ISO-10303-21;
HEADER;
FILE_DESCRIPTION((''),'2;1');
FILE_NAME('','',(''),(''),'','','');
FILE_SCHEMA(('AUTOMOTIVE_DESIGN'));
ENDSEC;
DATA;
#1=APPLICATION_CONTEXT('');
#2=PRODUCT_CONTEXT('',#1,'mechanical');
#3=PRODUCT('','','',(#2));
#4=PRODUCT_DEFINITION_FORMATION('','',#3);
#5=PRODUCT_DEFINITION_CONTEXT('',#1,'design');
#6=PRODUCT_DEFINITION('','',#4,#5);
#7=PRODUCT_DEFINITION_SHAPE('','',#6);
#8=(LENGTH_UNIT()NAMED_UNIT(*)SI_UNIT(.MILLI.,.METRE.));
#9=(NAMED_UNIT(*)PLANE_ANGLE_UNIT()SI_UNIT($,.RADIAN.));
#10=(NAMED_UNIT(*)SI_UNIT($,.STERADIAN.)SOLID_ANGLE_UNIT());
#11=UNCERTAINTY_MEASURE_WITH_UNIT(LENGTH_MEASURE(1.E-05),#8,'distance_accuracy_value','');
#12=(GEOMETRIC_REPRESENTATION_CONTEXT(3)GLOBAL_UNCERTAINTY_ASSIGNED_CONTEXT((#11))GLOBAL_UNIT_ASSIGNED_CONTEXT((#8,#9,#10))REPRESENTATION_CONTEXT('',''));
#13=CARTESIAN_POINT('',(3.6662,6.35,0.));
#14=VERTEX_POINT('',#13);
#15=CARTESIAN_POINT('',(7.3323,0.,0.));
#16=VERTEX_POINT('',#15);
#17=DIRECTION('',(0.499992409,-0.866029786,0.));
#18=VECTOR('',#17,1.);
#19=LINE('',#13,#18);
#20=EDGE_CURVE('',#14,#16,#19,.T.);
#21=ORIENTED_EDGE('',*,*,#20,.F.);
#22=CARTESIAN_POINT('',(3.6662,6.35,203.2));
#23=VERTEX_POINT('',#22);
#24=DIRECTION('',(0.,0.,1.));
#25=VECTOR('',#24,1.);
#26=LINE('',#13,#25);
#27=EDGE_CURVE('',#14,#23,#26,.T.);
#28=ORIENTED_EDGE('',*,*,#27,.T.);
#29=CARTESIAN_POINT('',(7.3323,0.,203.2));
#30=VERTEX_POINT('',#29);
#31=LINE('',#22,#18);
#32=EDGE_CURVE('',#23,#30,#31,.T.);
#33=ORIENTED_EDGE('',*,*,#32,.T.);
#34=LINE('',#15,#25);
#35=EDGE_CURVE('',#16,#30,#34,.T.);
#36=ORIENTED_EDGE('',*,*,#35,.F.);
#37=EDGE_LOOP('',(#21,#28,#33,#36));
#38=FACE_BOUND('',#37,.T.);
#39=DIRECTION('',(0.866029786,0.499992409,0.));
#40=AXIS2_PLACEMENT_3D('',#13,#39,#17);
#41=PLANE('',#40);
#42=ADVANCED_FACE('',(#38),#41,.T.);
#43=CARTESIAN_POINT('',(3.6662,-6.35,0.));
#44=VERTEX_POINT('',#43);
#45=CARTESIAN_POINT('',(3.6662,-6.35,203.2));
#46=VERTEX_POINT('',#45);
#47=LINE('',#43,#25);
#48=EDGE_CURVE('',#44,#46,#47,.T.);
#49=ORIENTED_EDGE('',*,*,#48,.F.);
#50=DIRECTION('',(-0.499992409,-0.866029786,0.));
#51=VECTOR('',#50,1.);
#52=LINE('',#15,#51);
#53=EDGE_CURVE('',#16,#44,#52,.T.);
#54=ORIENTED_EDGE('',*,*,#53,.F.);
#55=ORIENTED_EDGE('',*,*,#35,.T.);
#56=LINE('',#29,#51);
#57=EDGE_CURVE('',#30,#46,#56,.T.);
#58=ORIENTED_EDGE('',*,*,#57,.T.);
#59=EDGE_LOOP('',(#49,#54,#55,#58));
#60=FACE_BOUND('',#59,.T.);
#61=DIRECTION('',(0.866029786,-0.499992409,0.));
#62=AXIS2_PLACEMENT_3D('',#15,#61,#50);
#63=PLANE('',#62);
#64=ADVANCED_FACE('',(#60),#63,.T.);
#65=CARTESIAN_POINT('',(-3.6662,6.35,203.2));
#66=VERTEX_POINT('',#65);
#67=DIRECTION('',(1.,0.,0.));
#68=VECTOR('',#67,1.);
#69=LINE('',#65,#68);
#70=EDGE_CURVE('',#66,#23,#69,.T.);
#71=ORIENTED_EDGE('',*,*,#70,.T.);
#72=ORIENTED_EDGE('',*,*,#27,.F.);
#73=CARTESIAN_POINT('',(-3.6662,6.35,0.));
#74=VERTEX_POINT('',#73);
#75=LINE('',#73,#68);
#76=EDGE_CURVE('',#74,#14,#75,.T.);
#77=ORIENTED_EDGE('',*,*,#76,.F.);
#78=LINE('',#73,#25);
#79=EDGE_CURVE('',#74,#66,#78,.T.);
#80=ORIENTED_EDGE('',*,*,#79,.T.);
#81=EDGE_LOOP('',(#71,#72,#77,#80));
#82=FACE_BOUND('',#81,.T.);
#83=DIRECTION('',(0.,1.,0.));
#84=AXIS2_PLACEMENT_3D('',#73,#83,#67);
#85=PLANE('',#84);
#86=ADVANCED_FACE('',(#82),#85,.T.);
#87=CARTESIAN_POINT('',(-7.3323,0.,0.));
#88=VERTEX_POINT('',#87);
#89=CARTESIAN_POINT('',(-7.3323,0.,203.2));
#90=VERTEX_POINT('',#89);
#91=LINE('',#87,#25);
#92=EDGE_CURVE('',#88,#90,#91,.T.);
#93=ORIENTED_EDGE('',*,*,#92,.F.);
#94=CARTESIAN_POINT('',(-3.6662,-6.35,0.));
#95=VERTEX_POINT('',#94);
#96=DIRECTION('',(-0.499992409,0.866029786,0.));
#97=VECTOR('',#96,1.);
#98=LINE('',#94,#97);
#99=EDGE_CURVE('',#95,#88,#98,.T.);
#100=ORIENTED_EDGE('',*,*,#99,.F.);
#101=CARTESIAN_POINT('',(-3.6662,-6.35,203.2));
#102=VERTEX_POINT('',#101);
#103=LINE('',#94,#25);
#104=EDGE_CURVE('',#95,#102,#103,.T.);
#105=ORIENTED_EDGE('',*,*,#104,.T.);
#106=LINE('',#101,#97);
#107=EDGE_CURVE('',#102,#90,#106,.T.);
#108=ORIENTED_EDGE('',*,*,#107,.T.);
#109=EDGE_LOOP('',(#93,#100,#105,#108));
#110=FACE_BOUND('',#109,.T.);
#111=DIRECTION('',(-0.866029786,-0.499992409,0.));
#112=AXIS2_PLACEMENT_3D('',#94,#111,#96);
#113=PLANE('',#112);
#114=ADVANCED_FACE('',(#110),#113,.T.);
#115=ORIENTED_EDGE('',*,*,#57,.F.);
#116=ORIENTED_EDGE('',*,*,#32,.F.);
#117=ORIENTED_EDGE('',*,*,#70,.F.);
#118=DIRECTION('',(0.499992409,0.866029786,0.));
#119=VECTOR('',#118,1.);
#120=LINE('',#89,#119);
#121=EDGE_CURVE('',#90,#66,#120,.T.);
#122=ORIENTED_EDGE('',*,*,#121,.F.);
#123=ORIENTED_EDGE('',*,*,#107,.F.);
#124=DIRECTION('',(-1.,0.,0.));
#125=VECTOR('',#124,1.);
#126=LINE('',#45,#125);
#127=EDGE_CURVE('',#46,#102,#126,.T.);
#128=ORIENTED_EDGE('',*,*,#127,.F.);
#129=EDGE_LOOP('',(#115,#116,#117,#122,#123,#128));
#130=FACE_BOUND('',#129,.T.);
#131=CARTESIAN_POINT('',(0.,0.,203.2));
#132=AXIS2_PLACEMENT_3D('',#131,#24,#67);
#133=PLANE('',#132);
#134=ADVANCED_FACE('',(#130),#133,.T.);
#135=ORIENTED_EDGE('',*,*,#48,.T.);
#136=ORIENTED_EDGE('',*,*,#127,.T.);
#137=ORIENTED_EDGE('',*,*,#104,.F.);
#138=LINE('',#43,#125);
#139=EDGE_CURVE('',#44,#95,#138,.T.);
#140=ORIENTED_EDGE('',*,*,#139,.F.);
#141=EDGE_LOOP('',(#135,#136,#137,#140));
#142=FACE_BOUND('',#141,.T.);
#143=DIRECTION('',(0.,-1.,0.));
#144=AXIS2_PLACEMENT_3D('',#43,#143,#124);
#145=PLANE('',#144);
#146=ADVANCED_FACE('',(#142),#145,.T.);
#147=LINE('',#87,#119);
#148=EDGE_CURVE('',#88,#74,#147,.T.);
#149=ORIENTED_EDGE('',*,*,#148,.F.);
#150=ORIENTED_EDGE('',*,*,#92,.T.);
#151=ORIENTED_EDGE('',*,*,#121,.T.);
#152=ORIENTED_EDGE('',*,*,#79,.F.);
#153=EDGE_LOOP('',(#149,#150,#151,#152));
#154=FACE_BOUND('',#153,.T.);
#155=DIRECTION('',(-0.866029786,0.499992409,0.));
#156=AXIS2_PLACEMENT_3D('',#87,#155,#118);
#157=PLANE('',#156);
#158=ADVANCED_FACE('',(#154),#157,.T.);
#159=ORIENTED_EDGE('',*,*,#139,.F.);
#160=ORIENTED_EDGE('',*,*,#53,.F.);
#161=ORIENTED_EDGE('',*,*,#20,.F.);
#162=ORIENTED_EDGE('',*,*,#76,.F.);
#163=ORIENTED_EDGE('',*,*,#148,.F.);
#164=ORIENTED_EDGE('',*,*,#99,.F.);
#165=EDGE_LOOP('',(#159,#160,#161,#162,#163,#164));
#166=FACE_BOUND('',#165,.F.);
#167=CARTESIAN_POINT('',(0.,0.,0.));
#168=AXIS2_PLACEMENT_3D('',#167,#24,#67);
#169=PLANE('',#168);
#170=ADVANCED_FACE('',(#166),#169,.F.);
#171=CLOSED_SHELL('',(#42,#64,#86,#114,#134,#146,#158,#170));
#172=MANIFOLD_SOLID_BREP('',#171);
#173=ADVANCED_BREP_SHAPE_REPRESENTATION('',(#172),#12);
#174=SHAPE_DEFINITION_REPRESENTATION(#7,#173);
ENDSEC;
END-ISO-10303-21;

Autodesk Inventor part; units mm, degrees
ref_plane "YZ Plane" through (0, 0, 0) normal (1, 0, 0) x (0, 1, 0)
ref_plane "XZ Plane" through (0, 0, 0) normal (0, 1, 0) x (-1, 0, 0)
ref_plane "XY Plane" through (0, 0, 0) normal (0, 0, 1) x (1, 0, 0)
sketch "Sketch1" plane through (0, 0, 0) normal (0, 0, 1) x (1, 0, 0)
  line L0 (3.6662, 6.35) -> (7.3323, 0)
  line L1 (7.3323, 0) -> (3.6662, -6.35)
  line L2 (3.6662, -6.35) -> (-3.6662, -6.35)
  line L3 (-3.6662, -6.35) -> (-7.3323, 0)
  line L4 (-7.3323, 0) -> (-3.6662, 6.35)
  line L5 (-3.6662, 6.35) -> (3.6662, 6.35)
  point P0 (0, 0)
  point P1 (0, 0)
  dimension "d0" = 12.7
extrude "Extrusion1" add sketch "Sketch1" along normal blind 203.2
properties part number "hex rod 8 inch" material "Steel, Alloy"
